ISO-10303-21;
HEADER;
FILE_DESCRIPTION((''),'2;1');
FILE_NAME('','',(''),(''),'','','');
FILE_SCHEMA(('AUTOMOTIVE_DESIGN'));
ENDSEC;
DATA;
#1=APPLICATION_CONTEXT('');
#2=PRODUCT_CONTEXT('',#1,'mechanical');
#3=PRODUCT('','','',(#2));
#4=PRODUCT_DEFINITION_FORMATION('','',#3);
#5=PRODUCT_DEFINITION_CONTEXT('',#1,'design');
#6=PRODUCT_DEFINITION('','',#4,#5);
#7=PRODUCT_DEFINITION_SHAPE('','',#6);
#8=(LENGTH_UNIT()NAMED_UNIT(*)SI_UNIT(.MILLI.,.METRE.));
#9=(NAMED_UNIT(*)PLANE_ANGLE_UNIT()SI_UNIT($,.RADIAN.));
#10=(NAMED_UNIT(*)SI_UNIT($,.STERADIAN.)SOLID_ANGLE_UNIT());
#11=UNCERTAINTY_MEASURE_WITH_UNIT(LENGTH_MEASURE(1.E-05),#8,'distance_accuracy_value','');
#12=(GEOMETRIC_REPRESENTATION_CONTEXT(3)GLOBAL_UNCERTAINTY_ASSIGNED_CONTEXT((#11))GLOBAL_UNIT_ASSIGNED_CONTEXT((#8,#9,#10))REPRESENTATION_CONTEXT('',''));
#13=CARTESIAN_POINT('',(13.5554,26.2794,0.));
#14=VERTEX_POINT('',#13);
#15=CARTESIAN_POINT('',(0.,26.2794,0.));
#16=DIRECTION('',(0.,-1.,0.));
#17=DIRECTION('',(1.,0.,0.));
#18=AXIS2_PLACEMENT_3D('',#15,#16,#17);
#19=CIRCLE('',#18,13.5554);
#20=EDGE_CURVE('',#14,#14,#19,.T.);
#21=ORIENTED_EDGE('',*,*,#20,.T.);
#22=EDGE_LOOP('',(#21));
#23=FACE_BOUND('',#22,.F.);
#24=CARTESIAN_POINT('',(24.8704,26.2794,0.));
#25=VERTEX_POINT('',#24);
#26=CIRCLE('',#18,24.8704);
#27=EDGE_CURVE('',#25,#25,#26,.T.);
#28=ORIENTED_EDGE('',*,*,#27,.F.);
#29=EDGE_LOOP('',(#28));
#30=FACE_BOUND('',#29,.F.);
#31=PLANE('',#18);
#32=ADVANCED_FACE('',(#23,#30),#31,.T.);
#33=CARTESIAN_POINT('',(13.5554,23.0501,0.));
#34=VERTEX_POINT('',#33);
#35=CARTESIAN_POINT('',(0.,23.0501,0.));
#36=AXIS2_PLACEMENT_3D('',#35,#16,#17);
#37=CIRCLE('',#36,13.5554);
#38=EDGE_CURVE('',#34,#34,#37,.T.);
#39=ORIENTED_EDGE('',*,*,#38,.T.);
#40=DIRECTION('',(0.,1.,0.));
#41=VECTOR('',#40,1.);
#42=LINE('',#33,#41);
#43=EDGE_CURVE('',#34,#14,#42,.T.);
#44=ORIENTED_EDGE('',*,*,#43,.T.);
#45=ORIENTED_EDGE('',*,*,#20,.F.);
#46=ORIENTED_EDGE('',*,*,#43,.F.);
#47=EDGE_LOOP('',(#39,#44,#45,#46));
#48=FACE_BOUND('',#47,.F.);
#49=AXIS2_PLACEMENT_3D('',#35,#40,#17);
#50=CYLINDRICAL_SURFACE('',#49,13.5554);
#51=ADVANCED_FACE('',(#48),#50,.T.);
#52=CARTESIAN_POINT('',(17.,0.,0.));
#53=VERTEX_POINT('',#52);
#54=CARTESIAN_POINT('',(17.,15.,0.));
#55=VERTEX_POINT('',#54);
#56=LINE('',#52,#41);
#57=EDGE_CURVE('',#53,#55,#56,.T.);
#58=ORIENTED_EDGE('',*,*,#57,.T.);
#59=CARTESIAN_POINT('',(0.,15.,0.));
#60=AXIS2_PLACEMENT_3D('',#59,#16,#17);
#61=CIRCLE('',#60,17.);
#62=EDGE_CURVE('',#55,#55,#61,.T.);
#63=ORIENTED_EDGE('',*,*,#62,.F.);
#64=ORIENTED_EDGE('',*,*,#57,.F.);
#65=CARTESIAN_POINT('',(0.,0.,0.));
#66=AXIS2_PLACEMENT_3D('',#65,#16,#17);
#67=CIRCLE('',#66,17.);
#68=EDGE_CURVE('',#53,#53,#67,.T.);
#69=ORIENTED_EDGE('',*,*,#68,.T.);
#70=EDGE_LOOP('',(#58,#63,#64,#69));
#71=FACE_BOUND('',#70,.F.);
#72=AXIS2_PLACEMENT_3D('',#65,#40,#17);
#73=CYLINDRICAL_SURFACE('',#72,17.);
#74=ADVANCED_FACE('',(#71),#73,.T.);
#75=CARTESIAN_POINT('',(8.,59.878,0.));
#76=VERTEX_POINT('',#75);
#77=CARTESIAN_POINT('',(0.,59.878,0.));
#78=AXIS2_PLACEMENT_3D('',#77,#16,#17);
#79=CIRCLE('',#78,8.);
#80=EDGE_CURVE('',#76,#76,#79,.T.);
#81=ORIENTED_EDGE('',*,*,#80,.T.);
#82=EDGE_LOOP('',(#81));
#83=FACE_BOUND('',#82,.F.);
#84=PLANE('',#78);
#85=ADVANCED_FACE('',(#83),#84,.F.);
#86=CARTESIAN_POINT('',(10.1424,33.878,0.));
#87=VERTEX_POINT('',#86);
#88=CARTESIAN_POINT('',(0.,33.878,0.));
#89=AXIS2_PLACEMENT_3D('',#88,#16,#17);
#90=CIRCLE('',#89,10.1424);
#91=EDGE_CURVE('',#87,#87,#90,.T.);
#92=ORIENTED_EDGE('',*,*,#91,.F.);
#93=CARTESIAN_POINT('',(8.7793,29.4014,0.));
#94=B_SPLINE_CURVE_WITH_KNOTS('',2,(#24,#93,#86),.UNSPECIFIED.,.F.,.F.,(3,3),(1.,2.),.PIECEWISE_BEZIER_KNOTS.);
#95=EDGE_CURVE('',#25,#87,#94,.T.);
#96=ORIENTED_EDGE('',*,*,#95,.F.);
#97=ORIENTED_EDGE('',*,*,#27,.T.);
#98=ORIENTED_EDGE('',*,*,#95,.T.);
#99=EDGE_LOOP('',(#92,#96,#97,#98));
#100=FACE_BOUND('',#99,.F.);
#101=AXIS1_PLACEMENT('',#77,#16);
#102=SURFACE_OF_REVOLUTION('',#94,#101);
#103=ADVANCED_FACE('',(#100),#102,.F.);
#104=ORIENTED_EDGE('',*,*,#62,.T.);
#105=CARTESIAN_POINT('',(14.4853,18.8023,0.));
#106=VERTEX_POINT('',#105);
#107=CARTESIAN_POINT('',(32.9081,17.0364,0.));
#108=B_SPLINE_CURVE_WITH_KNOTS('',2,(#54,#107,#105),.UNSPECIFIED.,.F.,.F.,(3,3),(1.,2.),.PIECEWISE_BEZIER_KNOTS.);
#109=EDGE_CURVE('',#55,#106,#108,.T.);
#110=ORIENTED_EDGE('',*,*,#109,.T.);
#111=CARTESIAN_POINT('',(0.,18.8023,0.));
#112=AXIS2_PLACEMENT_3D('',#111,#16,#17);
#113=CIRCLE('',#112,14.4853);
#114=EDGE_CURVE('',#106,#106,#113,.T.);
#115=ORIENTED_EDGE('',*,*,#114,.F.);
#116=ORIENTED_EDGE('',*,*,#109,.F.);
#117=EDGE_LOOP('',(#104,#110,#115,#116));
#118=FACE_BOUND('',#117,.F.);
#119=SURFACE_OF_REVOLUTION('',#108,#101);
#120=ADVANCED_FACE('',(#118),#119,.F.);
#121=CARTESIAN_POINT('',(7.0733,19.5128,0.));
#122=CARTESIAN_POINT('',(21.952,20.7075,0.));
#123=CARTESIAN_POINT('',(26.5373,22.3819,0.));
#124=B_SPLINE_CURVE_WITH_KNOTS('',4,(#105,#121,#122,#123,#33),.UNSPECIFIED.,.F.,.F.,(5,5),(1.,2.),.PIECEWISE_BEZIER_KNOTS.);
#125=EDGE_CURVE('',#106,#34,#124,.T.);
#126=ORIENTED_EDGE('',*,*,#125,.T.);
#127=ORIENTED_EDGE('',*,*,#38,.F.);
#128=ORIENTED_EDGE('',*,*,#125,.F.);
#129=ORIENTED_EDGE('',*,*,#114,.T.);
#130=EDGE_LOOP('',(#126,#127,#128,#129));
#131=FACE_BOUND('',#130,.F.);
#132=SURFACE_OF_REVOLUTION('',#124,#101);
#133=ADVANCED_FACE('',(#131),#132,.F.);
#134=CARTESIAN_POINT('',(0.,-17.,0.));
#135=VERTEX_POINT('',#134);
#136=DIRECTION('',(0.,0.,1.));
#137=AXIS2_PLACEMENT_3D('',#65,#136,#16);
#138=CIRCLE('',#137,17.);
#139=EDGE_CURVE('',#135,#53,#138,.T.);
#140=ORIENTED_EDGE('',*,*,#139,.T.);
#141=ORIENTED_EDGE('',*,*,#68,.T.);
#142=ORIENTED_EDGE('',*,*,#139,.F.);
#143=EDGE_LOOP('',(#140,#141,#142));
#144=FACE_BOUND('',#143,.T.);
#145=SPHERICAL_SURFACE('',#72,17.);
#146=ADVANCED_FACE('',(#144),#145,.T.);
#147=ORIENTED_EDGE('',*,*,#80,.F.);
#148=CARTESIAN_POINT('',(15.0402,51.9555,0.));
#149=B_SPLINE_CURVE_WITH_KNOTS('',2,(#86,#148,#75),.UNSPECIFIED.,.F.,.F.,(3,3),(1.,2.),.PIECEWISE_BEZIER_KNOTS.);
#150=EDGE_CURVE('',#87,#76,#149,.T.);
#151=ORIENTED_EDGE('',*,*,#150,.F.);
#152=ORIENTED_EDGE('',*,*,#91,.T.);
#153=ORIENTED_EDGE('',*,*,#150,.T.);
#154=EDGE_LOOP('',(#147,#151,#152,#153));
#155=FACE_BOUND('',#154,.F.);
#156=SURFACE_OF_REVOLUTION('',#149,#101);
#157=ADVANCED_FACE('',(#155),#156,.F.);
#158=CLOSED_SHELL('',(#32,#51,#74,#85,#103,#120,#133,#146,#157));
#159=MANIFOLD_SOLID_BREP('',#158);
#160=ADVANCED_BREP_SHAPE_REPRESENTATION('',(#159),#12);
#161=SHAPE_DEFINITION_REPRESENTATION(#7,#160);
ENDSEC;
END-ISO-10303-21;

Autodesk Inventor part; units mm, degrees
ref_plane "YZ Plane" through (0, 0, 0) normal (1, 0, 0) x (0, 1, 0)
ref_plane "XZ Plane" through (0, 0, 0) normal (0, 1, 0) x (-1, 0, 0)
ref_plane "XY Plane" through (0, 0, 0) normal (0, 0, 1) x (1, 0, 0)
sketch "Sketch1" plane through (0, 0, 0) normal (0, 0, 1) x (1, 0, 0)
  line L0 (0, 0) -> (17, 0)
  line L1 (17, 0) -> (17, 15)
  line L2 (17, 15) -> (32.9081, 17.0364) construction
  line L3 (32.9081, 17.0364) -> (14.4853, 18.8023) construction
  spline S0 degree 2 poles (17, 15) (32.9081, 17.0364) (14.4853, 18.8023) knots 1 1 1 2 2 2
  line L4 (14.4853, 18.8023) -> (7.0733, 19.5128) construction
  line L5 (7.0733, 19.5128) -> (21.952, 20.7075) construction
  line L6 (21.952, 20.7075) -> (26.5373, 22.3819) construction
  line L7 (26.5373, 22.3819) -> (13.5554, 23.0501) construction
  spline S1 degree 4 poles (14.4853, 18.8023) (7.0733, 19.5128) (21.952, 20.7075) (26.5373, 22.3819) (13.5554, 23.0501) knots 1 1 1 1 1 2 2 2 2 2
  line L8 (13.5554, 23.0501) -> (13.5554, 26.2794)
  line L9 (13.5554, 23.0501) -> (16.7847, 23.0501) construction
  line L10 (13.5554, 26.2794) -> (24.8704, 26.2794)
  line L11 (24.8704, 26.2794) -> (8.7793, 29.4014) construction
  line L12 (8.7793, 29.4014) -> (10.1424, 33.878) construction
  spline S2 degree 2 poles (24.8704, 26.2794) (8.7793, 29.4014) (10.1424, 33.878) knots 1 1 1 2 2 2
  line L13 (10.1424, 33.878) -> (15.0402, 51.9555) construction
  line L14 (15.0402, 51.9555) -> (8, 59.878) construction
  spline S3 degree 2 poles (10.1424, 33.878) (15.0402, 51.9555) (8, 59.878) knots 1 1 1 2 2 2
  line L15 (8, 59.878) -> (0, 59.878)
  line L16 (8, 59.878) -> (16, 59.878) construction
  line L17 (0, 59.878) -> (0, 0)
  arc A0 (0, -4.7625) -> (17, 15) centre (6.8127, 6.5702) ccw
  point P0 (9.4608, 31.6397)
  dimension "d0" = 17
  dimension "d1" = 15
  dimension "d3" = 11.315
  dimension "d5" = 59.878
  dimension "d6" = 3.2294
  dimension "d7" = 8
  dimension "d8" = 26
  dimension "d9" = 4.2477
  dimension "d10" = 3.8024
  dimension "d13" = 9.4608
  dimension "d14" = 10.1424
revolve "Revolution1" add sketch "Sketch1" angle 360 about axis through (0, 59.878, 0) along (0, -1, 0)
sketch "Sketch2" plane through (0, 0, 0) normal (0, 0, 1) x (1, 0, 0)
  line L0 (17, 15) -> (17, 0) projected
  line L1 (-17, 0) -> (17, 0) projected
  arc A0 (0, -17) -> (17, 0) centre (0, 0) ccw
  line L2 (0, -17) -> (0, 0)
revolve "Revolution2" add sketch "Sketch2" angle 360 about axis through (0, -17, 0) along (0, 1, 0)
properties part number "Joystick upper" material "ABS Plastic"
